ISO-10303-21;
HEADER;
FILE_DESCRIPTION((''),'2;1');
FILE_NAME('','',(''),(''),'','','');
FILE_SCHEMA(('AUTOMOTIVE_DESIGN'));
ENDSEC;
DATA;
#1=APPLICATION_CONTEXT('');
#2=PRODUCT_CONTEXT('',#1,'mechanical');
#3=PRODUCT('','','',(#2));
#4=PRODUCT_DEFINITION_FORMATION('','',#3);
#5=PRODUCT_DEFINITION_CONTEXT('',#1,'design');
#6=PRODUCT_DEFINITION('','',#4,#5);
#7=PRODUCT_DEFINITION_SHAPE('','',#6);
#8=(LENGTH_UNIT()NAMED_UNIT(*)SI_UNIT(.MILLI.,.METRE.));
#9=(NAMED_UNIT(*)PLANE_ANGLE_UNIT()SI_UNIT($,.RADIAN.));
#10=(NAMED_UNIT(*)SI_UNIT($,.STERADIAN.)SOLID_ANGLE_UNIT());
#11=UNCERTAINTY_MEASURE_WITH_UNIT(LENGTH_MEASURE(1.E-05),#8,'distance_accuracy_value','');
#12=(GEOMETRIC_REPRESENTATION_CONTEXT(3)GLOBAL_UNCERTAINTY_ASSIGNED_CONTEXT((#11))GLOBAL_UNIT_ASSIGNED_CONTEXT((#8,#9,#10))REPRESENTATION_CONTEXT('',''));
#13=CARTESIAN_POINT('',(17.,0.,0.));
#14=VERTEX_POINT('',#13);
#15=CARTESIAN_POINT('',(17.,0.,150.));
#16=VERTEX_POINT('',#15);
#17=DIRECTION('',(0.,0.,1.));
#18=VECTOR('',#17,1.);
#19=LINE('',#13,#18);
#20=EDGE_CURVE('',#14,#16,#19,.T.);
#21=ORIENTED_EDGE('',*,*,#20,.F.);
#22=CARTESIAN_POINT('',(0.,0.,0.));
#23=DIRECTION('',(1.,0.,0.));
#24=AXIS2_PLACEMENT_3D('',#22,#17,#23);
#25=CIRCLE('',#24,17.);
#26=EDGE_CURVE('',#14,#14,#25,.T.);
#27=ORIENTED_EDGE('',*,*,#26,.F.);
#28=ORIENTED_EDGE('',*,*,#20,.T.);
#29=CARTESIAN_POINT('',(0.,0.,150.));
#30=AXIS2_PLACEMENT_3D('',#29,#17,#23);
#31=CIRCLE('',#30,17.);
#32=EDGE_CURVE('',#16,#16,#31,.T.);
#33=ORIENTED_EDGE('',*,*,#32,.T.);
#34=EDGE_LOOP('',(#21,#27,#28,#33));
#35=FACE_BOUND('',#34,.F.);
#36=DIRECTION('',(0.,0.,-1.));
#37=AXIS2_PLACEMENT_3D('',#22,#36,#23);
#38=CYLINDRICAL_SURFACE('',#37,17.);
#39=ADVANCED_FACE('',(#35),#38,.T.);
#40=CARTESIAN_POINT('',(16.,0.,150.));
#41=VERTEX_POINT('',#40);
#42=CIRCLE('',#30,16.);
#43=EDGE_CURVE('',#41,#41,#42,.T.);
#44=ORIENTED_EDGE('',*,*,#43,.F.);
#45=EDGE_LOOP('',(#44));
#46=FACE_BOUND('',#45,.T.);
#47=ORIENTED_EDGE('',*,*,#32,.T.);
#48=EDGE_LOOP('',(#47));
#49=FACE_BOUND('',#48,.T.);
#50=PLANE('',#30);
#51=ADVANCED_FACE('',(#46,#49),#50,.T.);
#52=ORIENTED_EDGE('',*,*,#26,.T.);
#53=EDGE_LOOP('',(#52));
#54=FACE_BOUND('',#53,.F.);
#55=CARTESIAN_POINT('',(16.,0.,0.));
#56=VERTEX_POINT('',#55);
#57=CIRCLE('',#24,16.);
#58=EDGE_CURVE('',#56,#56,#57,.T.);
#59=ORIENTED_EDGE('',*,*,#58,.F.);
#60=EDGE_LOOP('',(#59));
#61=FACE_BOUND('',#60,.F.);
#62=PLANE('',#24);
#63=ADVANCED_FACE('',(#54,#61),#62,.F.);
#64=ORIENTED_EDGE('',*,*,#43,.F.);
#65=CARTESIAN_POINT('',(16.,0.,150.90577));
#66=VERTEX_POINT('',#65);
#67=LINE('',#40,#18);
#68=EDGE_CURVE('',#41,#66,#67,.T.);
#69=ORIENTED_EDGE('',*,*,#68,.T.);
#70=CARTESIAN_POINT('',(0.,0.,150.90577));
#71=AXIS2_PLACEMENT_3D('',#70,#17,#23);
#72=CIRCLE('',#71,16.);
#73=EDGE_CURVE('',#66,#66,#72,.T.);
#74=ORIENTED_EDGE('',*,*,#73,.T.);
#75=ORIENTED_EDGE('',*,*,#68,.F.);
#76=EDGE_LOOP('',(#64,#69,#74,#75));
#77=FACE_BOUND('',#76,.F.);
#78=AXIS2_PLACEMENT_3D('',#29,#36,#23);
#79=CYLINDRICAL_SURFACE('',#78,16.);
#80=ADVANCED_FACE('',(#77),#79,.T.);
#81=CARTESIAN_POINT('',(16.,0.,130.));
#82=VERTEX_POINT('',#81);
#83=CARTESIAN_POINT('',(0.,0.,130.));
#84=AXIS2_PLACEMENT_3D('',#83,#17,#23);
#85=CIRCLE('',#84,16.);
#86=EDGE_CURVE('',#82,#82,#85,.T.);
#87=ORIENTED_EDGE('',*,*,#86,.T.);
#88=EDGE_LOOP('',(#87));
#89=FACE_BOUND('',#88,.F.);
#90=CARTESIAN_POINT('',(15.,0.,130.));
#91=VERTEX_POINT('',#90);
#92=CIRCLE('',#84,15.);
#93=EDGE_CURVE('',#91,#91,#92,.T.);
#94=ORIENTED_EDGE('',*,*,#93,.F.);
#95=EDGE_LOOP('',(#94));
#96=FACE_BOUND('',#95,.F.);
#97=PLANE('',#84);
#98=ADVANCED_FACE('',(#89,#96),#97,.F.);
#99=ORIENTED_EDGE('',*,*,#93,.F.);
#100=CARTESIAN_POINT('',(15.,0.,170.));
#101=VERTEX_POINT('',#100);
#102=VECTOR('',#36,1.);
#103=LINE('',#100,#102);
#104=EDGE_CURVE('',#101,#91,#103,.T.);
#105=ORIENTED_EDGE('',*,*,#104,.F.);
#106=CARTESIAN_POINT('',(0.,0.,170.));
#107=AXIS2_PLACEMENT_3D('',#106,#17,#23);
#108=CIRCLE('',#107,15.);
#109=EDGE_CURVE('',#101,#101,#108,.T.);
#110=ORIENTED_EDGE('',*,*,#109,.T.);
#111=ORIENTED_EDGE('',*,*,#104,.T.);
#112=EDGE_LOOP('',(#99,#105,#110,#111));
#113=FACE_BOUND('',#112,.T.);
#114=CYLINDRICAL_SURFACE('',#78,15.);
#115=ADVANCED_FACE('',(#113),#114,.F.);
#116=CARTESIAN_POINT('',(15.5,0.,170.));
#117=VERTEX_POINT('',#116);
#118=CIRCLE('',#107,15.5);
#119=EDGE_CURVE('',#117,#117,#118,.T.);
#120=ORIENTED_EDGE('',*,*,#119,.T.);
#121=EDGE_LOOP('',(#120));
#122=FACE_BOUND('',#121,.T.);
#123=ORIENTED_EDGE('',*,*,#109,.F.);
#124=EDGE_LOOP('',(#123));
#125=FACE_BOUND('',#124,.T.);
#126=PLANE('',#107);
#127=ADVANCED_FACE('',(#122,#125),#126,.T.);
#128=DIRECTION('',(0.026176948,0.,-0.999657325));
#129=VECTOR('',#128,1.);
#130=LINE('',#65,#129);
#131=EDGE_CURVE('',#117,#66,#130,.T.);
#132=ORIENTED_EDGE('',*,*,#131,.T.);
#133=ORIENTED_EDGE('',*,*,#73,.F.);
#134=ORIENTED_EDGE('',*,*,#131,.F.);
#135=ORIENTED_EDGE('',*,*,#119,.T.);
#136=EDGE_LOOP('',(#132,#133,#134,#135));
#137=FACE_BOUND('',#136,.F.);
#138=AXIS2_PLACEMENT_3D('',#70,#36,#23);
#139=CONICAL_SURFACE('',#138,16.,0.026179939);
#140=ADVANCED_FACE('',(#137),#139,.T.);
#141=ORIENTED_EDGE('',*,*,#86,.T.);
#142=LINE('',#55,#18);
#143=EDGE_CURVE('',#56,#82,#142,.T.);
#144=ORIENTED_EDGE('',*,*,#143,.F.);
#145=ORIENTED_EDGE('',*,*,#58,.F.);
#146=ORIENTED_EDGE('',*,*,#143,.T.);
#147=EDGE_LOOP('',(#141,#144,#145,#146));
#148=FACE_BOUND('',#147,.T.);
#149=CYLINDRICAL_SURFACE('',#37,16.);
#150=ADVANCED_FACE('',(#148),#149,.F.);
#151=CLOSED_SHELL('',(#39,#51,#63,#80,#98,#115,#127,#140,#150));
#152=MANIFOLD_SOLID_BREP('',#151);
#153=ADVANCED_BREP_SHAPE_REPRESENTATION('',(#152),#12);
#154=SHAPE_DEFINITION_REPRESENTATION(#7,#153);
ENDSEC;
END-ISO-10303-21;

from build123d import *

# Parameters (mm, degrees)
F0_R          = 17
F0_R_2        = 16
F1_DEPTH      = 150
F2_R          = 16
F2_R_2        = 15
F3_DEPTH      = 20
F3_DEPTH_BACK = 20
F4_SIZE2      = 19.0942296485
F4_SIZE       = 0.5


with BuildPart() as f1:
    # F0 (on Top) → F1 (new body)
    with BuildSketch(Plane.XY):
        Circle(F0_R)
        Circle(F0_R_2, mode=Mode.SUBTRACT)
    extrude(amount=F1_DEPTH)

    # F2 (on face) → F3 (join, two sides)
    with BuildSketch(Plane.XY.offset(150)) as f3_sk:
        Circle(F2_R)
        Circle(F2_R_2, mode=Mode.SUBTRACT)
    extrude(amount=F3_DEPTH)
    extrude(f3_sk.sketch, amount=-F3_DEPTH_BACK)

    # F4
    f4_edges = [f1.edges().sort_by_distance(p)[0] for p in [
        (-16, 0, 170),
    ]]
    f4_side = f1.faces().sort_by_distance((-15.547452, 0, 170))[0]
    chamfer(f4_edges, length=F4_SIZE, length2=F4_SIZE2, reference=f4_side)


solid = f1.part
